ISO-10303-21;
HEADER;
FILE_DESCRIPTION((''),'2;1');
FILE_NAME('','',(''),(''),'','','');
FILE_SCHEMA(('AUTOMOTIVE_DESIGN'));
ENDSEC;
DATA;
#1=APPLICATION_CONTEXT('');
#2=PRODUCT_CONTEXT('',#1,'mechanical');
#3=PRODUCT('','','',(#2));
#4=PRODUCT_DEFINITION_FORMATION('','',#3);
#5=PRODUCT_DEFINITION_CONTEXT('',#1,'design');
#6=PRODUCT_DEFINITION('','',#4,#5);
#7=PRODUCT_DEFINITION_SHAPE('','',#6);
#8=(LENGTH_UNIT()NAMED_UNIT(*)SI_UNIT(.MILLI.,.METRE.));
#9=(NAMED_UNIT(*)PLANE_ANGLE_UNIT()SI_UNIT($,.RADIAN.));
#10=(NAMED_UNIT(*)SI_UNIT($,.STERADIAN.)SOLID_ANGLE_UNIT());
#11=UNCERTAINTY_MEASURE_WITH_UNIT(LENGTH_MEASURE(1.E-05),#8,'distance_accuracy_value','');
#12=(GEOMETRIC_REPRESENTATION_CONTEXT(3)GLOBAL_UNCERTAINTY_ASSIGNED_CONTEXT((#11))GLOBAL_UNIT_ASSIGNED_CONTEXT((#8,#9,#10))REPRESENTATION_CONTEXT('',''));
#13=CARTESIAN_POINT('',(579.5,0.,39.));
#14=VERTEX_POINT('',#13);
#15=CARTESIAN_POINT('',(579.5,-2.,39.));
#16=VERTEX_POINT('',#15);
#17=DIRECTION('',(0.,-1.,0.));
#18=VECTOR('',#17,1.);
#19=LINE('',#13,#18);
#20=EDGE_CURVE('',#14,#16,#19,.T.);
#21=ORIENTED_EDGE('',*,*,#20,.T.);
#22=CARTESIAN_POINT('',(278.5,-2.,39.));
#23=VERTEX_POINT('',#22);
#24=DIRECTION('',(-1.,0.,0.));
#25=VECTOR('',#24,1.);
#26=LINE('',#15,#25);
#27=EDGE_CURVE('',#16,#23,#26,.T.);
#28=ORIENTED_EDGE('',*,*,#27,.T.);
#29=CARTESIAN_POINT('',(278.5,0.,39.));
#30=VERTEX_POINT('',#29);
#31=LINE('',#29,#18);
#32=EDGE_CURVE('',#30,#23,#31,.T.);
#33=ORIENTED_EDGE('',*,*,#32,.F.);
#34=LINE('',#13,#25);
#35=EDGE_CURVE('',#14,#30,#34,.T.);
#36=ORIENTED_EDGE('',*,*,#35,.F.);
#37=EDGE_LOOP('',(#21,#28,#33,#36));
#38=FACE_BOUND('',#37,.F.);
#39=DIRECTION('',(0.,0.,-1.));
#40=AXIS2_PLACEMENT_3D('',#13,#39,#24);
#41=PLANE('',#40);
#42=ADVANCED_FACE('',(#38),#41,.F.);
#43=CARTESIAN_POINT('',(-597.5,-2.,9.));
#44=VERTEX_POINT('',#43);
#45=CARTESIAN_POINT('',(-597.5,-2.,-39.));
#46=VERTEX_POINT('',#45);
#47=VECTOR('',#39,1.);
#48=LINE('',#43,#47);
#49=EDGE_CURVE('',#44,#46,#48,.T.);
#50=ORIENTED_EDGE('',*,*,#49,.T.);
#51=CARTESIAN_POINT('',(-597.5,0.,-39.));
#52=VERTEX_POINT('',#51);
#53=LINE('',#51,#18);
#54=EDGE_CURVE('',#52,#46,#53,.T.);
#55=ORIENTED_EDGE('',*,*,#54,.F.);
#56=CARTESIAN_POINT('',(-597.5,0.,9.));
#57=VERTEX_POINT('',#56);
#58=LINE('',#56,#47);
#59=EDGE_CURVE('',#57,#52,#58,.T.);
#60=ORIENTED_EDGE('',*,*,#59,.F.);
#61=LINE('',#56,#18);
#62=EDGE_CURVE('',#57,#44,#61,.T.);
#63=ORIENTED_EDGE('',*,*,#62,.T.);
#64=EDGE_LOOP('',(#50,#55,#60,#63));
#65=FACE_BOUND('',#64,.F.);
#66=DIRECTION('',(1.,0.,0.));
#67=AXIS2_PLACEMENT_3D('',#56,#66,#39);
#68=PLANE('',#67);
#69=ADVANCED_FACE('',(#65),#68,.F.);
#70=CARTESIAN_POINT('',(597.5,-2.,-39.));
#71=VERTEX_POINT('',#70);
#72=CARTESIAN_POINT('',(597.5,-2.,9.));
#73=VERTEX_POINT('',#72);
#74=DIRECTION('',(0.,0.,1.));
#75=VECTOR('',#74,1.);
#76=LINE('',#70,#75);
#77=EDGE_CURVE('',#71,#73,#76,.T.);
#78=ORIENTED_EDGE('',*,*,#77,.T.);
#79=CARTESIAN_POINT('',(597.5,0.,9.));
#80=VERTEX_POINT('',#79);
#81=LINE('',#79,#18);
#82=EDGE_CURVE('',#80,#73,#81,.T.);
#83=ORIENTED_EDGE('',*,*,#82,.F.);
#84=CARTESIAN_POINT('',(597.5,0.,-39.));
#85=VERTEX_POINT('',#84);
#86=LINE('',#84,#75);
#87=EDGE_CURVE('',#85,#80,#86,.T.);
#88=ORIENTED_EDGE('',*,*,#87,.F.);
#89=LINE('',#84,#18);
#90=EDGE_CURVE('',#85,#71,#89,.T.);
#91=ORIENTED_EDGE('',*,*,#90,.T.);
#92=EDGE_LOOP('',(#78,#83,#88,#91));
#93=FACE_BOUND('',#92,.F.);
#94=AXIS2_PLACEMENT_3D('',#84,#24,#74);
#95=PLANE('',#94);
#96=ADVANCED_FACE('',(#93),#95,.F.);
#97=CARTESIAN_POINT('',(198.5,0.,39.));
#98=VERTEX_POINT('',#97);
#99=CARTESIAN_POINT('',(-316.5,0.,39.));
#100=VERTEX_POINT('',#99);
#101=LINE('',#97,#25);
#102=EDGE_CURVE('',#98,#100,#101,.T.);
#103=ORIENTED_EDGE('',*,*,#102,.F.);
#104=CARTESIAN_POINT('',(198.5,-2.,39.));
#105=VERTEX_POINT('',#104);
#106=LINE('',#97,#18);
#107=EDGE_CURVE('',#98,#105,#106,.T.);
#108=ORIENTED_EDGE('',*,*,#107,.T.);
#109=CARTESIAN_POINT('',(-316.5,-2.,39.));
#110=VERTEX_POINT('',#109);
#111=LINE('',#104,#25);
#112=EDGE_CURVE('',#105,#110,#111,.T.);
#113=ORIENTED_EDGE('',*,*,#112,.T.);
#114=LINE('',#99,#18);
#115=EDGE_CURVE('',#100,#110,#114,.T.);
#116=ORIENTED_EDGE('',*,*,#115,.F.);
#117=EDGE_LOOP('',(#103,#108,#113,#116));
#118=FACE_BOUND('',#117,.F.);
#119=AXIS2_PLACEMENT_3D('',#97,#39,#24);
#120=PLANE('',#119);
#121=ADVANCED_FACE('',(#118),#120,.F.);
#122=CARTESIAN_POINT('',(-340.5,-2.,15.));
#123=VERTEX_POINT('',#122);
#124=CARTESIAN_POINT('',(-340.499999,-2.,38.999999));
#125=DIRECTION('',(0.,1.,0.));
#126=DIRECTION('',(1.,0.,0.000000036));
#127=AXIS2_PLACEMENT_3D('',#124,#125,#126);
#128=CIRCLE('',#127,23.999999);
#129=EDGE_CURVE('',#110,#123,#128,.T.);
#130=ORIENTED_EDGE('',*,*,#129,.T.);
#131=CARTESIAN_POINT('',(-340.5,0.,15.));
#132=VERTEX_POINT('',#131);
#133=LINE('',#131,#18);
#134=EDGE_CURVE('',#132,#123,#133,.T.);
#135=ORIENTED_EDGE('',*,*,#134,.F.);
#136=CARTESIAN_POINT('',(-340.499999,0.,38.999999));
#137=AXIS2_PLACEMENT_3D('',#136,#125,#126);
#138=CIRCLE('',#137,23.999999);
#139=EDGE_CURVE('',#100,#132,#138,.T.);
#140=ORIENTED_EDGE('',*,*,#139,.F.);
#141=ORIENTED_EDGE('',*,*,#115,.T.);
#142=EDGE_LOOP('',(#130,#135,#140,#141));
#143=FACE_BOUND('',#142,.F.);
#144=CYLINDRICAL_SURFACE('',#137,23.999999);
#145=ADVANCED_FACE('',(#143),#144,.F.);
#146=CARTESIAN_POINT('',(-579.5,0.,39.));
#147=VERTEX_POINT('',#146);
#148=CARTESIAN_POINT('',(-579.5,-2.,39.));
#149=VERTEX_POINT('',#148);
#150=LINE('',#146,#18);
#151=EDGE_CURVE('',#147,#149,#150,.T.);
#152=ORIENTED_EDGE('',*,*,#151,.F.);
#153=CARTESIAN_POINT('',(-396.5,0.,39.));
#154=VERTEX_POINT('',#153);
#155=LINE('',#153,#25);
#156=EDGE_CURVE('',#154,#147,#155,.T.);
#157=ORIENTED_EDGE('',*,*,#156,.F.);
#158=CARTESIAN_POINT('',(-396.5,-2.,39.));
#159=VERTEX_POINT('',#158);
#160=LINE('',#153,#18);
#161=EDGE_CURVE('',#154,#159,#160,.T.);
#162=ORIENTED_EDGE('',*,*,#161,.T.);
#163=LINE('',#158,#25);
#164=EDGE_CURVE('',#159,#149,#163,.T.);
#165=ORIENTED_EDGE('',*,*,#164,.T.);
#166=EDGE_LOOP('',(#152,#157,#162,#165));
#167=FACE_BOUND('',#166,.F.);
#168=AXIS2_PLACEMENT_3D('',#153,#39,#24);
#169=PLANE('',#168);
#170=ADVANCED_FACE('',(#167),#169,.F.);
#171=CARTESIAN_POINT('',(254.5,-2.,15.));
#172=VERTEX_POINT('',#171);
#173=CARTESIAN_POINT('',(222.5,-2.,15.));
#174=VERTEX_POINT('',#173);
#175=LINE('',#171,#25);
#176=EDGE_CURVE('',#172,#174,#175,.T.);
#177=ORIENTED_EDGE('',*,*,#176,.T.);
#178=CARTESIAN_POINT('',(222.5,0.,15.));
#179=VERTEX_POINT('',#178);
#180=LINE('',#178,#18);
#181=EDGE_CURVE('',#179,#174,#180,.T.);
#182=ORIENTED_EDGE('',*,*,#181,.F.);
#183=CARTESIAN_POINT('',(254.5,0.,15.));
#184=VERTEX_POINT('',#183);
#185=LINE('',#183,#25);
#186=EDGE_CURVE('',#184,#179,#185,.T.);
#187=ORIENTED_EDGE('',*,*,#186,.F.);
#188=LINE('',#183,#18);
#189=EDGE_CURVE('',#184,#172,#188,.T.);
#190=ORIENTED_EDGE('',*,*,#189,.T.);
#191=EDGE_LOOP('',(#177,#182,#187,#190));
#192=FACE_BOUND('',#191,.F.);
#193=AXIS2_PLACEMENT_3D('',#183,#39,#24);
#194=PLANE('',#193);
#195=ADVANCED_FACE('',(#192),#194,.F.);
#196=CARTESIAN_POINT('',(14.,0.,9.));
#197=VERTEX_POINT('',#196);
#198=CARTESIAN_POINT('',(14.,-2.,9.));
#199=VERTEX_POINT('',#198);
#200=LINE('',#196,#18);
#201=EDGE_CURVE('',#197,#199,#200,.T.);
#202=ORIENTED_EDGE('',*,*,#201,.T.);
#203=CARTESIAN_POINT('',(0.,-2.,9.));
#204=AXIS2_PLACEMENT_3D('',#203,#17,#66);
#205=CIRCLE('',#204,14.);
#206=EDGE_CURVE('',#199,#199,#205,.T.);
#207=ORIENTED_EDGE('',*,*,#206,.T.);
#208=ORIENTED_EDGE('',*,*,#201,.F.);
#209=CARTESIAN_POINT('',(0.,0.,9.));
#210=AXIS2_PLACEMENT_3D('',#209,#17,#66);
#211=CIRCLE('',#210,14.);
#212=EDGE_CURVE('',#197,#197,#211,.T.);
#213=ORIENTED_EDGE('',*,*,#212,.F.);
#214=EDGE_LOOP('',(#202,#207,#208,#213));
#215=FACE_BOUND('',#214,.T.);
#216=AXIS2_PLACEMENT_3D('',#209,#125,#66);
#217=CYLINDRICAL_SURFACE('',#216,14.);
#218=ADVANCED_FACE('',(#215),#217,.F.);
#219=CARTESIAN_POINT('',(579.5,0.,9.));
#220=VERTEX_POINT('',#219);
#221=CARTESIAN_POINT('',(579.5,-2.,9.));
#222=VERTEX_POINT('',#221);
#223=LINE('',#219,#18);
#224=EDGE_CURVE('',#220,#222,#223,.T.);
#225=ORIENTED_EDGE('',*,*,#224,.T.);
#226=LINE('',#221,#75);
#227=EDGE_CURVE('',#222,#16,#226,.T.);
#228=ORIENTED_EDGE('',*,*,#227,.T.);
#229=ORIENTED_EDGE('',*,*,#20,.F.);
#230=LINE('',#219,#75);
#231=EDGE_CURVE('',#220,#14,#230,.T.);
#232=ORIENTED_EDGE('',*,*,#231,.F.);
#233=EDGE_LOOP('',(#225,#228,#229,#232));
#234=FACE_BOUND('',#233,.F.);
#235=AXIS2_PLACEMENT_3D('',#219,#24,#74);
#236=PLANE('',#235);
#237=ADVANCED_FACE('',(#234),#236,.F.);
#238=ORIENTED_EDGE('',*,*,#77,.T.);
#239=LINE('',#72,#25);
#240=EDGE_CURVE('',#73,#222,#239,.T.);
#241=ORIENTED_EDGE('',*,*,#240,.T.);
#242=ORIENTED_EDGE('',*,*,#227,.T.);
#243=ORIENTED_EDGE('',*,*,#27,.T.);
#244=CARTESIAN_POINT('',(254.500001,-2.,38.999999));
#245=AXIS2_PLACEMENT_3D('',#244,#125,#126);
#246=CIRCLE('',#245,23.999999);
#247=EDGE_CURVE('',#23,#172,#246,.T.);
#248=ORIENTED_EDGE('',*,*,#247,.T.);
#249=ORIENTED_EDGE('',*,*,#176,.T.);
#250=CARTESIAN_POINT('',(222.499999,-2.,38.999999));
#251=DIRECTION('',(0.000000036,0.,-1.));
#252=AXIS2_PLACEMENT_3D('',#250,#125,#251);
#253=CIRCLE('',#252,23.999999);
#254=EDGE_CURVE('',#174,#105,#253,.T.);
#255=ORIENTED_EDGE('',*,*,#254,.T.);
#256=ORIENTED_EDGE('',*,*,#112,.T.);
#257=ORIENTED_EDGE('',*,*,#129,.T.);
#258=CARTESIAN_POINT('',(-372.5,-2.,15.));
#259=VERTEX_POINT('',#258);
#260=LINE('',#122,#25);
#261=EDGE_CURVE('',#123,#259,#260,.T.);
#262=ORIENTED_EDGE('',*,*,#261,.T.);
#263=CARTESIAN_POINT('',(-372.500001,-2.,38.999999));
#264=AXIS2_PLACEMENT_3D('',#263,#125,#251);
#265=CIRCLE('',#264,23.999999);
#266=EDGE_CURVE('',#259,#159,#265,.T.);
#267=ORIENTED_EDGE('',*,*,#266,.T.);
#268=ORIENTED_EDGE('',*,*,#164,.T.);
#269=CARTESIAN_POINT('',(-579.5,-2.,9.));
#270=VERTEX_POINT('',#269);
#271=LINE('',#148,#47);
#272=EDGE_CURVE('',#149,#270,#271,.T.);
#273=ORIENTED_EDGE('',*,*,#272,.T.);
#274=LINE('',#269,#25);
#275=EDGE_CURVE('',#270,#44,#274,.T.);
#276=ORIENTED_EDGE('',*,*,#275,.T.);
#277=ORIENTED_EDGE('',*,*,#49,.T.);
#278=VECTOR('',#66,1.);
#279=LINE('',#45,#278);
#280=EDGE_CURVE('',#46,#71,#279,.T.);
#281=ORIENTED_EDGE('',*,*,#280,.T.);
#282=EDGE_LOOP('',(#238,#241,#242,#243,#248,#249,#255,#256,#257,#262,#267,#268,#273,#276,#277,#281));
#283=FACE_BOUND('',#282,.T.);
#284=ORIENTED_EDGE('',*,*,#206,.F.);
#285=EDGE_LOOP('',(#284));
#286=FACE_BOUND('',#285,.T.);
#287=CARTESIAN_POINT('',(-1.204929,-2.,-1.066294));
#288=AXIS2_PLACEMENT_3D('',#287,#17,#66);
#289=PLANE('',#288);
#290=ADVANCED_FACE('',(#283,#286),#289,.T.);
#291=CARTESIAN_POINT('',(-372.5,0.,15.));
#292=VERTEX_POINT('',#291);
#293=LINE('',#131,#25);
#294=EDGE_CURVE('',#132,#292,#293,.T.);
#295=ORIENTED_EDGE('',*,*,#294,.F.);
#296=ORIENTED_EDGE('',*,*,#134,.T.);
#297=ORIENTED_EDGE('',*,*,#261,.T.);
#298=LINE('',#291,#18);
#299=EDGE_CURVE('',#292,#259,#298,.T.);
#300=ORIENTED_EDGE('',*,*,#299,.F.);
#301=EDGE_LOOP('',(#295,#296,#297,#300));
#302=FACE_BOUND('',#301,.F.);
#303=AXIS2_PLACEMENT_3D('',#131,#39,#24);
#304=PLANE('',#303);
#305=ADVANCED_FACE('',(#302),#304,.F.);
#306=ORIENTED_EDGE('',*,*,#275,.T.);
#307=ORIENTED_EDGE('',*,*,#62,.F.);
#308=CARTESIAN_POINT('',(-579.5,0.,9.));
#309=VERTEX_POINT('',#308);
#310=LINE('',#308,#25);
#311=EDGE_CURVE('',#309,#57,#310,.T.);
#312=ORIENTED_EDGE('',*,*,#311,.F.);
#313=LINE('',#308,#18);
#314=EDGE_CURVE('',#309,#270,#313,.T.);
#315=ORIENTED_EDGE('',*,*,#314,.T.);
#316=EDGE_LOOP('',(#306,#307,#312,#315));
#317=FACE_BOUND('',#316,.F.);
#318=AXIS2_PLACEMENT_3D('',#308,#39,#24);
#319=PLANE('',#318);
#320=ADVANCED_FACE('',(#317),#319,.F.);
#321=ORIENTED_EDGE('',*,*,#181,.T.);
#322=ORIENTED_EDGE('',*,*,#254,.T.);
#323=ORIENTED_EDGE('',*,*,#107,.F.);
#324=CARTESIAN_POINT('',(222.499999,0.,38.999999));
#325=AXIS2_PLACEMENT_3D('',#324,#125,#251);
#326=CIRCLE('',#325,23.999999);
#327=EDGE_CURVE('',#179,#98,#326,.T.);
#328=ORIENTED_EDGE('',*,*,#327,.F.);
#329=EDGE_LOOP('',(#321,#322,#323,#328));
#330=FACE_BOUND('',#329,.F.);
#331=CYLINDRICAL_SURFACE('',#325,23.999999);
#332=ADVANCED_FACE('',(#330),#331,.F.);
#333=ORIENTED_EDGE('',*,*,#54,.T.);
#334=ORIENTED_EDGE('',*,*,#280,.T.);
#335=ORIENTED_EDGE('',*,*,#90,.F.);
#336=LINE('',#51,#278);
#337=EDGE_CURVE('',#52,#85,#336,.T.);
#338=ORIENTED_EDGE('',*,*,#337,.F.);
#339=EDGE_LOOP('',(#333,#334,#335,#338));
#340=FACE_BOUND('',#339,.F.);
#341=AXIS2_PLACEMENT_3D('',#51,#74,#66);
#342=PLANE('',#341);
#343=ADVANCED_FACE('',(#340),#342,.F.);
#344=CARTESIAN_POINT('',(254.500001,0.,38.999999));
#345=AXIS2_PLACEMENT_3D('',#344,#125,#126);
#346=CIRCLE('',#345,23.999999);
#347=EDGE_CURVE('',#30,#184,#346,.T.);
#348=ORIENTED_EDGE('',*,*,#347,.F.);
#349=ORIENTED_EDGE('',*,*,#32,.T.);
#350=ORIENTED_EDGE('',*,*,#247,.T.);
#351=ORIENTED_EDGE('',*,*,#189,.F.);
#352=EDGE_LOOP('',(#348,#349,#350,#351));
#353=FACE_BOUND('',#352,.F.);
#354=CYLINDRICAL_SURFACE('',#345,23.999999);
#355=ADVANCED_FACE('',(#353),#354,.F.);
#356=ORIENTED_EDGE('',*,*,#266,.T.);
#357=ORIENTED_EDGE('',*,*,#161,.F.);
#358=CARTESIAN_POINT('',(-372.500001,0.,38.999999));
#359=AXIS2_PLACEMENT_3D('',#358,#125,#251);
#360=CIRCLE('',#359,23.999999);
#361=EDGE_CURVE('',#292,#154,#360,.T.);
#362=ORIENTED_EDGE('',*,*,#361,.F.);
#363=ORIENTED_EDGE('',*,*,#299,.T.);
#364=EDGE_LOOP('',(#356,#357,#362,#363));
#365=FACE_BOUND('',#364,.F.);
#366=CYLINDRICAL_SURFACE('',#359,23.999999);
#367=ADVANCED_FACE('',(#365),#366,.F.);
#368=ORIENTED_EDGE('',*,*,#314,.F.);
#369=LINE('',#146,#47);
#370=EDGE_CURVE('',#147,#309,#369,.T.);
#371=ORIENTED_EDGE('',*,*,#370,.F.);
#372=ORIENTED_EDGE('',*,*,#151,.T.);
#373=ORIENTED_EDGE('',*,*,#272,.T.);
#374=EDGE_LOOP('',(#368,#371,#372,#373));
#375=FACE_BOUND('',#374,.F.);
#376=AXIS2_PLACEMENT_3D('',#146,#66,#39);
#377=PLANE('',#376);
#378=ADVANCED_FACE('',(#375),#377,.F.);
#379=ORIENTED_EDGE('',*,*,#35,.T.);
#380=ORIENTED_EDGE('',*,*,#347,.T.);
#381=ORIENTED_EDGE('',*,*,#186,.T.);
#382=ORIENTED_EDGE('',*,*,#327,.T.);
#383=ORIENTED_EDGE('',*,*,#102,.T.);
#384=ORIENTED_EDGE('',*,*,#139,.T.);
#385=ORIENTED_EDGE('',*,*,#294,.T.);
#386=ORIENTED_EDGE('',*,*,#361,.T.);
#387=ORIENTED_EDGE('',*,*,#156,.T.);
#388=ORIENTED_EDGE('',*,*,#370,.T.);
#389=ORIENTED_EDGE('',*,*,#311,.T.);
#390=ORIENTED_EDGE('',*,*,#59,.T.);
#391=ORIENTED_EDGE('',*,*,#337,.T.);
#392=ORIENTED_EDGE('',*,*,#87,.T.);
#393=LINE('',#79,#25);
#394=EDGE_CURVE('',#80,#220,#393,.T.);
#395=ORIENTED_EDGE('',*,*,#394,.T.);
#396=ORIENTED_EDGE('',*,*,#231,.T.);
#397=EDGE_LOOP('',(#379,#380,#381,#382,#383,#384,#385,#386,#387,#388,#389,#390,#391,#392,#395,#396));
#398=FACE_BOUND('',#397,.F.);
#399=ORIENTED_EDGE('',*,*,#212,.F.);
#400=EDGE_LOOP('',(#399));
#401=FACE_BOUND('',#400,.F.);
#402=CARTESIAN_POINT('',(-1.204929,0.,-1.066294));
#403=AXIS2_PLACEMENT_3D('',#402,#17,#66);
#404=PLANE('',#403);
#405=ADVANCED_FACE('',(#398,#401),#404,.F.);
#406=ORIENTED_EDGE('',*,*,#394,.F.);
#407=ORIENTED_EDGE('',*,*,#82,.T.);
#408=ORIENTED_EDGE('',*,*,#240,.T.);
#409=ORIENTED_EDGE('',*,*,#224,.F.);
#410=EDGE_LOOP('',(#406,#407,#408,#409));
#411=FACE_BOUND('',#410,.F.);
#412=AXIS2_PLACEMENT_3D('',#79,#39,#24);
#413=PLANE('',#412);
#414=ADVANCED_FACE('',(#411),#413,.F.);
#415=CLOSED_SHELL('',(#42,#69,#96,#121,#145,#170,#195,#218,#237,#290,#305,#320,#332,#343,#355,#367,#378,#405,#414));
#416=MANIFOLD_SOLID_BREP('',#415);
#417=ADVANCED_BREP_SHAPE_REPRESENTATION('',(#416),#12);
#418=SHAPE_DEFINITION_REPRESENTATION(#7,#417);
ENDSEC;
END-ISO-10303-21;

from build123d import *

# Parameters (mm, degrees)
F0_R     = 14
F1_DEPTH = 2


with BuildPart() as f1:
    # F0 (on Front) → F1 (new body)
    with BuildSketch(Plane.XZ):
        with BuildLine():
            Line((-597.5, -39), (597.5, -39))
            Line((597.5, -39), (597.5, 9))
            Line((597.5, 9), (579.5, 9))
            Line((579.5, 9), (579.5, 39))
            Line((579.5, 39), (278.5, 39))
            ThreePointArc((278.5, 39), (271.470563, 22.029437), (254.5, 15))
            Line((254.5, 15), (222.5, 15))
            ThreePointArc((222.5, 15), (205.529437, 22.029437), (198.5, 39))
            Line((198.5, 39), (-316.5, 39))
            ThreePointArc((-316.5, 39), (-323.529437, 22.029437), (-340.5, 15))
            Line((-340.5, 15), (-372.5, 15))
            ThreePointArc((-372.5, 15), (-389.470563, 22.029437), (-396.5, 39))
            Line((-396.5, 39), (-579.5, 39))
            Line((-579.5, 39), (-579.5, 9))
            Line((-579.5, 9), (-597.5, 9))
            Line((-597.5, 9), (-597.5, -39))
        make_face()
        with Locations((0, 9)):
            Circle(F0_R, mode=Mode.SUBTRACT)
    extrude(amount=F1_DEPTH)


solid = f1.part
